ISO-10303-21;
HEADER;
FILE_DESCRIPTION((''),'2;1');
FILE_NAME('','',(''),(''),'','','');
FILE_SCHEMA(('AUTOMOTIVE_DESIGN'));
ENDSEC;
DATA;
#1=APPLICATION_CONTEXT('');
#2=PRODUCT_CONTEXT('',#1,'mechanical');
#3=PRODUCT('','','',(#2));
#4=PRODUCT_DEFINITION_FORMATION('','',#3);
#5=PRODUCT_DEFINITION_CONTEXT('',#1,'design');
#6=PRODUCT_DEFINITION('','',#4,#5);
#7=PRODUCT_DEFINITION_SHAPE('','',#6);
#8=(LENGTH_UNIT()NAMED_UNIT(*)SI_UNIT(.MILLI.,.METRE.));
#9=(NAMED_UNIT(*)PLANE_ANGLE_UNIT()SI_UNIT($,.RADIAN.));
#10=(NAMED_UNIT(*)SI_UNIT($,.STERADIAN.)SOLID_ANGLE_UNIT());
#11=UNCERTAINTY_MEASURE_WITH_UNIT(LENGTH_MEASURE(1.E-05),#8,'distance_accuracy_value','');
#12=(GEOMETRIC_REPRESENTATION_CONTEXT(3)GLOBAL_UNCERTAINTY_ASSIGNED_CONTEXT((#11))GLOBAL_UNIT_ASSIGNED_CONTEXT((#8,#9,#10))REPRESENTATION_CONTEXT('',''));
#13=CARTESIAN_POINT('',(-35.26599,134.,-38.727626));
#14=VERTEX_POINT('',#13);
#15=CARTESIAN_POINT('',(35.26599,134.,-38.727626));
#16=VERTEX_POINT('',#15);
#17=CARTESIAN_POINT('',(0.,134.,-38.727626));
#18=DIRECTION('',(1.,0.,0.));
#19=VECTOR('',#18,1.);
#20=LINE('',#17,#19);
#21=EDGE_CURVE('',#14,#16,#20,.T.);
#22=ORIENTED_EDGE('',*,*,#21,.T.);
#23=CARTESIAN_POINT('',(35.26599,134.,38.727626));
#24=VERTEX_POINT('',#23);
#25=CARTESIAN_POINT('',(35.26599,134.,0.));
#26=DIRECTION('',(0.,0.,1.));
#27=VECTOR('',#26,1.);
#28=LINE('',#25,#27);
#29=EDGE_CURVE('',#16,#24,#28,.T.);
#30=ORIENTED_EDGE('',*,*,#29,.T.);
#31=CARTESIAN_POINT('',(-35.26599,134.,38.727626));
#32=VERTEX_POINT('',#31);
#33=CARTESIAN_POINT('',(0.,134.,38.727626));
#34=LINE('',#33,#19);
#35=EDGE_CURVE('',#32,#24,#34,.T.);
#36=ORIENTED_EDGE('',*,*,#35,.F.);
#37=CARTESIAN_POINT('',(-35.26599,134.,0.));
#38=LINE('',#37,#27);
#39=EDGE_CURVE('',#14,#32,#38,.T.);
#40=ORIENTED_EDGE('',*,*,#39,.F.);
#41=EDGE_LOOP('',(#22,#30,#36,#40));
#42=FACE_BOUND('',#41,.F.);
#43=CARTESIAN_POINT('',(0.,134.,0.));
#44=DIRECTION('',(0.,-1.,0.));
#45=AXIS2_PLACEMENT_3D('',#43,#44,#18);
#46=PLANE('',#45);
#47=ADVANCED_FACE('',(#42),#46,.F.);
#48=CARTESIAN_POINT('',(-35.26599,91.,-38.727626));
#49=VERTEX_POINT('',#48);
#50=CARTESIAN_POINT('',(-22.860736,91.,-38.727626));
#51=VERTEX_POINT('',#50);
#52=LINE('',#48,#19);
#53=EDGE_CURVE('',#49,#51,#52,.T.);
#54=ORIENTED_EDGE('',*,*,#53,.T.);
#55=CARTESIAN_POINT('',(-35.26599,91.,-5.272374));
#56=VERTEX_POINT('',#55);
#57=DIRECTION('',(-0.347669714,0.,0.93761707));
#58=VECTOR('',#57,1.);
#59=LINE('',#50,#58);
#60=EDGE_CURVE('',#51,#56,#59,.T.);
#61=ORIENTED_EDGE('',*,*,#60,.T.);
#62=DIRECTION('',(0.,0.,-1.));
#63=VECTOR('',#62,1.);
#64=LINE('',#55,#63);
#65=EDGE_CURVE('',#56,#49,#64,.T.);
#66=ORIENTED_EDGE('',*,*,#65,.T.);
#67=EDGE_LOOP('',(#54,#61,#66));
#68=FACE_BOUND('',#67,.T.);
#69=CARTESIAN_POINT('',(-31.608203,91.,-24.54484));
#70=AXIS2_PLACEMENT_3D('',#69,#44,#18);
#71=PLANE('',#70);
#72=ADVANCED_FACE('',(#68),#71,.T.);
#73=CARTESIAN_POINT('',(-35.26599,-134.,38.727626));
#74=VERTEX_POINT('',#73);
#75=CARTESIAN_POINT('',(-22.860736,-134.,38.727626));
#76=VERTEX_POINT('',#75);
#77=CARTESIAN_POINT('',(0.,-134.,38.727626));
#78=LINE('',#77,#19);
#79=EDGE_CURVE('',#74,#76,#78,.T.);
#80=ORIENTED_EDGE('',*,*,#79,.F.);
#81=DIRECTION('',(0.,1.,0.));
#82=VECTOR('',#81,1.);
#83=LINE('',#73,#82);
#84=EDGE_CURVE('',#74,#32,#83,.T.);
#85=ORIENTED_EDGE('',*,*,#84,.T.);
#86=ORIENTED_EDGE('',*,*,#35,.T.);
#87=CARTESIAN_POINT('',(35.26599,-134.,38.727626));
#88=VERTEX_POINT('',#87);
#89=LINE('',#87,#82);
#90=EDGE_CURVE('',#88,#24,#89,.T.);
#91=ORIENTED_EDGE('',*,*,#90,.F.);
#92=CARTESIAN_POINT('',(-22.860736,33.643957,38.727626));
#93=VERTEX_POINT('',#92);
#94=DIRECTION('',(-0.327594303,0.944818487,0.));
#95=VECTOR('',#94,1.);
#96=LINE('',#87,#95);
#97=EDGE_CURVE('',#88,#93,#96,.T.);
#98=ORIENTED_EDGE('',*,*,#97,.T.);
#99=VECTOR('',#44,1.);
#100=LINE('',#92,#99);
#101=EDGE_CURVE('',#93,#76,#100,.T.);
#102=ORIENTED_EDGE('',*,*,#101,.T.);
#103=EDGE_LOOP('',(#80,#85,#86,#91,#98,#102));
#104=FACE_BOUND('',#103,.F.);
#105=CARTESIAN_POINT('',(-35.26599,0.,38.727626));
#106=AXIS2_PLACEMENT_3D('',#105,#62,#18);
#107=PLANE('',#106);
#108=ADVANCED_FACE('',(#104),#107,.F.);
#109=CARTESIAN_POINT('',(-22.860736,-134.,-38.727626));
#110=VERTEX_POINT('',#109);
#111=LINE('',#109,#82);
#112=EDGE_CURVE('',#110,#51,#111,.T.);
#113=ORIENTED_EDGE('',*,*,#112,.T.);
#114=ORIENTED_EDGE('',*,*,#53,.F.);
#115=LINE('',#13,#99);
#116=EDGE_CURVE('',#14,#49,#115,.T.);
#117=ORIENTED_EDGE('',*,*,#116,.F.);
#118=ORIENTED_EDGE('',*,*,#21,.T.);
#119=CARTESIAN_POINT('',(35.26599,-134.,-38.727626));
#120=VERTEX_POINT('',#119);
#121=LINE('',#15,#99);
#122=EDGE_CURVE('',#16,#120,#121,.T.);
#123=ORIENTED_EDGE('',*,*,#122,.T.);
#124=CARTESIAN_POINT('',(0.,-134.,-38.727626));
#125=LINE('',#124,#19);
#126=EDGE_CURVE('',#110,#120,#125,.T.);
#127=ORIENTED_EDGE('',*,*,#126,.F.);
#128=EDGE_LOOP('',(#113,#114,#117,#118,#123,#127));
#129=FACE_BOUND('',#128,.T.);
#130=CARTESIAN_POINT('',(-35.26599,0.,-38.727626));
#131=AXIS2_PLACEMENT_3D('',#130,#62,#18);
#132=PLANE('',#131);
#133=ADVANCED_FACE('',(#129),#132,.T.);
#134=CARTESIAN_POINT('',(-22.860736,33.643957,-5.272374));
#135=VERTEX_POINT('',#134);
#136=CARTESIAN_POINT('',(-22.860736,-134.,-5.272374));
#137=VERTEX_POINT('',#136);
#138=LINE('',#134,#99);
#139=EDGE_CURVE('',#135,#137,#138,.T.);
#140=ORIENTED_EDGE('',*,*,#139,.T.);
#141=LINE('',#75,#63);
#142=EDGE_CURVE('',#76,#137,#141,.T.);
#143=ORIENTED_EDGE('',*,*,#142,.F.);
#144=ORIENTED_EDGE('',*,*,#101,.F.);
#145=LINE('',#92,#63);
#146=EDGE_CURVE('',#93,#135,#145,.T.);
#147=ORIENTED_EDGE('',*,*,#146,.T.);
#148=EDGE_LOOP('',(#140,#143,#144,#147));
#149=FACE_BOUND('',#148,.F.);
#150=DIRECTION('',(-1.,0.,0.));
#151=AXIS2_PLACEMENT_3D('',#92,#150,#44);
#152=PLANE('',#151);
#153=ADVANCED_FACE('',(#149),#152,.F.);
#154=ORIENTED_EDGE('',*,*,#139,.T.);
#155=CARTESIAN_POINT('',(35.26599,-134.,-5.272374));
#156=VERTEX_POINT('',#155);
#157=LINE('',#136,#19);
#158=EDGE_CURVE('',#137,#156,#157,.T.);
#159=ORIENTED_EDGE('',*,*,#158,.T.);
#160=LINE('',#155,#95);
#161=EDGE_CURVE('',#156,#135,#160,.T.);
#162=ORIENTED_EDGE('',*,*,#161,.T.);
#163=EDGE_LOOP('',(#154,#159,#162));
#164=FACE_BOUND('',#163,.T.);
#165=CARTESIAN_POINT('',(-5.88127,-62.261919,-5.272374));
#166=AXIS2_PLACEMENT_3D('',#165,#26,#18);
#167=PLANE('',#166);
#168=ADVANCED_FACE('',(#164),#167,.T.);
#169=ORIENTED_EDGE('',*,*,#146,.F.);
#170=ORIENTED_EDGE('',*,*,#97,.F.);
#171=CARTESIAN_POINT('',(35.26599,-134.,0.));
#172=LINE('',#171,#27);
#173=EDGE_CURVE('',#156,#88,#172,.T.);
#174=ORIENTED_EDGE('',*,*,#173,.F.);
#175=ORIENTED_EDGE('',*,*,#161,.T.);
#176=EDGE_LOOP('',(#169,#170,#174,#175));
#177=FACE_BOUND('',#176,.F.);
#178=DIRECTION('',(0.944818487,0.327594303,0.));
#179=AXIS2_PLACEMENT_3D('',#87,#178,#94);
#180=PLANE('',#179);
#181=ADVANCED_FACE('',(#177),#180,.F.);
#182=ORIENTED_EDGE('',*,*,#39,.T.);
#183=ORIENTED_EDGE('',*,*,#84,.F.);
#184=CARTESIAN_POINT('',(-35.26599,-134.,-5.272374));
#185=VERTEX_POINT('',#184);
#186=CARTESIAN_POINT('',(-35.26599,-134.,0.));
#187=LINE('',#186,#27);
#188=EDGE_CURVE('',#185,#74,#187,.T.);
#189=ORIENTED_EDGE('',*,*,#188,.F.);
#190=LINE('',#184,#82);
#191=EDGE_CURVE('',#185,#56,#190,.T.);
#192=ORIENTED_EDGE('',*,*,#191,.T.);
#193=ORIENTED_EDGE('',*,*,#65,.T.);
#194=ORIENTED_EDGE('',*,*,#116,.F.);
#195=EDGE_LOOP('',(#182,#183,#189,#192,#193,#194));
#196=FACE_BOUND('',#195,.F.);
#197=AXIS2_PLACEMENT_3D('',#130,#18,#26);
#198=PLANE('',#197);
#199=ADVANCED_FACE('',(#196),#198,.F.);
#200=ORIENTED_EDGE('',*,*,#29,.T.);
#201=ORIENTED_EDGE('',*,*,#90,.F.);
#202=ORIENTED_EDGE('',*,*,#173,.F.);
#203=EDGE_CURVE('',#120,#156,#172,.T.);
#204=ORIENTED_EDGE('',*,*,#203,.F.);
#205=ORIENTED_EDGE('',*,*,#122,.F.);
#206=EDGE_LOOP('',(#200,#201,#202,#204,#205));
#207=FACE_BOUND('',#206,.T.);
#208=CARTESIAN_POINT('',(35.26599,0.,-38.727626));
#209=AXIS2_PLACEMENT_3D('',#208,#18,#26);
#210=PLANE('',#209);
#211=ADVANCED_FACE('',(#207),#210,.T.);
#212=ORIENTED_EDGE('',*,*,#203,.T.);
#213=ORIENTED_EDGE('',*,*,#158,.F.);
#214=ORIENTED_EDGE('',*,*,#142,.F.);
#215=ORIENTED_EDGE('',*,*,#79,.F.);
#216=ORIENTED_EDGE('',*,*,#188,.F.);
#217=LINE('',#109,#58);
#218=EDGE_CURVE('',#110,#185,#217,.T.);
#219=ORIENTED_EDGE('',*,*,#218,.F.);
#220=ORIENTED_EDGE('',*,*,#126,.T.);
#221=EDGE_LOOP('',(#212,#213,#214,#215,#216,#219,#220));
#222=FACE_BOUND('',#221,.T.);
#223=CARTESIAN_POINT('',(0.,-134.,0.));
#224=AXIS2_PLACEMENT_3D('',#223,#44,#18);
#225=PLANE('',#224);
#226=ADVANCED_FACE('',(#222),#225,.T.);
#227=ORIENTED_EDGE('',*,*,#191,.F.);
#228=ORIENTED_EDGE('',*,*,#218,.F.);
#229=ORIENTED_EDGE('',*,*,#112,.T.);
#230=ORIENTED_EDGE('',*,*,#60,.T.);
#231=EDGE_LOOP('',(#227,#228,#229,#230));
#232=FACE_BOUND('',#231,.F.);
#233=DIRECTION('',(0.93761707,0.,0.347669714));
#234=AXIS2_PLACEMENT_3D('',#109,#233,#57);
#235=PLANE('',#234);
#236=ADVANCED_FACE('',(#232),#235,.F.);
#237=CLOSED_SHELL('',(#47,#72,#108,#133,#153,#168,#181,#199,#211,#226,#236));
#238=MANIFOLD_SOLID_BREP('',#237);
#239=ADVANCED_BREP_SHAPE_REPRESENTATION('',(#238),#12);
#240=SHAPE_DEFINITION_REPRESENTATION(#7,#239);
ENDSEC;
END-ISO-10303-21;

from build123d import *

# Parameters (mm, degrees)
F0_W     = 70.53198
F0_H     = 77.455252
F1_DEPTH = 134
F3_DEPTH = 44
F5_DEPTH = 225


with BuildPart() as f1:
    # F0 (on Front) → F1 (new body, symmetric)
    with BuildSketch(Plane.XZ):
        Rectangle(F0_W, F0_H)
    extrude(amount=F1_DEPTH, both=True)

    # F2 (on face) → F3 (cut)
    with BuildSketch(Plane.XY.offset(38.727626)):
        Polygon((-22.860736, 33.643957), (-22.860736, -134), (35.26599, -134), align=None)
    extrude(amount=-F3_DEPTH, mode=Mode.SUBTRACT)

    # F4 (on face) → F5 (cut)
    with BuildSketch(Plane.XZ.offset(134)):
        Polygon((-22.860736, -38.727626), (-35.26599, -5.272374), (-35.26599, -38.727626), align=None)
    extrude(amount=-F5_DEPTH, mode=Mode.SUBTRACT)


solid = f1.part
